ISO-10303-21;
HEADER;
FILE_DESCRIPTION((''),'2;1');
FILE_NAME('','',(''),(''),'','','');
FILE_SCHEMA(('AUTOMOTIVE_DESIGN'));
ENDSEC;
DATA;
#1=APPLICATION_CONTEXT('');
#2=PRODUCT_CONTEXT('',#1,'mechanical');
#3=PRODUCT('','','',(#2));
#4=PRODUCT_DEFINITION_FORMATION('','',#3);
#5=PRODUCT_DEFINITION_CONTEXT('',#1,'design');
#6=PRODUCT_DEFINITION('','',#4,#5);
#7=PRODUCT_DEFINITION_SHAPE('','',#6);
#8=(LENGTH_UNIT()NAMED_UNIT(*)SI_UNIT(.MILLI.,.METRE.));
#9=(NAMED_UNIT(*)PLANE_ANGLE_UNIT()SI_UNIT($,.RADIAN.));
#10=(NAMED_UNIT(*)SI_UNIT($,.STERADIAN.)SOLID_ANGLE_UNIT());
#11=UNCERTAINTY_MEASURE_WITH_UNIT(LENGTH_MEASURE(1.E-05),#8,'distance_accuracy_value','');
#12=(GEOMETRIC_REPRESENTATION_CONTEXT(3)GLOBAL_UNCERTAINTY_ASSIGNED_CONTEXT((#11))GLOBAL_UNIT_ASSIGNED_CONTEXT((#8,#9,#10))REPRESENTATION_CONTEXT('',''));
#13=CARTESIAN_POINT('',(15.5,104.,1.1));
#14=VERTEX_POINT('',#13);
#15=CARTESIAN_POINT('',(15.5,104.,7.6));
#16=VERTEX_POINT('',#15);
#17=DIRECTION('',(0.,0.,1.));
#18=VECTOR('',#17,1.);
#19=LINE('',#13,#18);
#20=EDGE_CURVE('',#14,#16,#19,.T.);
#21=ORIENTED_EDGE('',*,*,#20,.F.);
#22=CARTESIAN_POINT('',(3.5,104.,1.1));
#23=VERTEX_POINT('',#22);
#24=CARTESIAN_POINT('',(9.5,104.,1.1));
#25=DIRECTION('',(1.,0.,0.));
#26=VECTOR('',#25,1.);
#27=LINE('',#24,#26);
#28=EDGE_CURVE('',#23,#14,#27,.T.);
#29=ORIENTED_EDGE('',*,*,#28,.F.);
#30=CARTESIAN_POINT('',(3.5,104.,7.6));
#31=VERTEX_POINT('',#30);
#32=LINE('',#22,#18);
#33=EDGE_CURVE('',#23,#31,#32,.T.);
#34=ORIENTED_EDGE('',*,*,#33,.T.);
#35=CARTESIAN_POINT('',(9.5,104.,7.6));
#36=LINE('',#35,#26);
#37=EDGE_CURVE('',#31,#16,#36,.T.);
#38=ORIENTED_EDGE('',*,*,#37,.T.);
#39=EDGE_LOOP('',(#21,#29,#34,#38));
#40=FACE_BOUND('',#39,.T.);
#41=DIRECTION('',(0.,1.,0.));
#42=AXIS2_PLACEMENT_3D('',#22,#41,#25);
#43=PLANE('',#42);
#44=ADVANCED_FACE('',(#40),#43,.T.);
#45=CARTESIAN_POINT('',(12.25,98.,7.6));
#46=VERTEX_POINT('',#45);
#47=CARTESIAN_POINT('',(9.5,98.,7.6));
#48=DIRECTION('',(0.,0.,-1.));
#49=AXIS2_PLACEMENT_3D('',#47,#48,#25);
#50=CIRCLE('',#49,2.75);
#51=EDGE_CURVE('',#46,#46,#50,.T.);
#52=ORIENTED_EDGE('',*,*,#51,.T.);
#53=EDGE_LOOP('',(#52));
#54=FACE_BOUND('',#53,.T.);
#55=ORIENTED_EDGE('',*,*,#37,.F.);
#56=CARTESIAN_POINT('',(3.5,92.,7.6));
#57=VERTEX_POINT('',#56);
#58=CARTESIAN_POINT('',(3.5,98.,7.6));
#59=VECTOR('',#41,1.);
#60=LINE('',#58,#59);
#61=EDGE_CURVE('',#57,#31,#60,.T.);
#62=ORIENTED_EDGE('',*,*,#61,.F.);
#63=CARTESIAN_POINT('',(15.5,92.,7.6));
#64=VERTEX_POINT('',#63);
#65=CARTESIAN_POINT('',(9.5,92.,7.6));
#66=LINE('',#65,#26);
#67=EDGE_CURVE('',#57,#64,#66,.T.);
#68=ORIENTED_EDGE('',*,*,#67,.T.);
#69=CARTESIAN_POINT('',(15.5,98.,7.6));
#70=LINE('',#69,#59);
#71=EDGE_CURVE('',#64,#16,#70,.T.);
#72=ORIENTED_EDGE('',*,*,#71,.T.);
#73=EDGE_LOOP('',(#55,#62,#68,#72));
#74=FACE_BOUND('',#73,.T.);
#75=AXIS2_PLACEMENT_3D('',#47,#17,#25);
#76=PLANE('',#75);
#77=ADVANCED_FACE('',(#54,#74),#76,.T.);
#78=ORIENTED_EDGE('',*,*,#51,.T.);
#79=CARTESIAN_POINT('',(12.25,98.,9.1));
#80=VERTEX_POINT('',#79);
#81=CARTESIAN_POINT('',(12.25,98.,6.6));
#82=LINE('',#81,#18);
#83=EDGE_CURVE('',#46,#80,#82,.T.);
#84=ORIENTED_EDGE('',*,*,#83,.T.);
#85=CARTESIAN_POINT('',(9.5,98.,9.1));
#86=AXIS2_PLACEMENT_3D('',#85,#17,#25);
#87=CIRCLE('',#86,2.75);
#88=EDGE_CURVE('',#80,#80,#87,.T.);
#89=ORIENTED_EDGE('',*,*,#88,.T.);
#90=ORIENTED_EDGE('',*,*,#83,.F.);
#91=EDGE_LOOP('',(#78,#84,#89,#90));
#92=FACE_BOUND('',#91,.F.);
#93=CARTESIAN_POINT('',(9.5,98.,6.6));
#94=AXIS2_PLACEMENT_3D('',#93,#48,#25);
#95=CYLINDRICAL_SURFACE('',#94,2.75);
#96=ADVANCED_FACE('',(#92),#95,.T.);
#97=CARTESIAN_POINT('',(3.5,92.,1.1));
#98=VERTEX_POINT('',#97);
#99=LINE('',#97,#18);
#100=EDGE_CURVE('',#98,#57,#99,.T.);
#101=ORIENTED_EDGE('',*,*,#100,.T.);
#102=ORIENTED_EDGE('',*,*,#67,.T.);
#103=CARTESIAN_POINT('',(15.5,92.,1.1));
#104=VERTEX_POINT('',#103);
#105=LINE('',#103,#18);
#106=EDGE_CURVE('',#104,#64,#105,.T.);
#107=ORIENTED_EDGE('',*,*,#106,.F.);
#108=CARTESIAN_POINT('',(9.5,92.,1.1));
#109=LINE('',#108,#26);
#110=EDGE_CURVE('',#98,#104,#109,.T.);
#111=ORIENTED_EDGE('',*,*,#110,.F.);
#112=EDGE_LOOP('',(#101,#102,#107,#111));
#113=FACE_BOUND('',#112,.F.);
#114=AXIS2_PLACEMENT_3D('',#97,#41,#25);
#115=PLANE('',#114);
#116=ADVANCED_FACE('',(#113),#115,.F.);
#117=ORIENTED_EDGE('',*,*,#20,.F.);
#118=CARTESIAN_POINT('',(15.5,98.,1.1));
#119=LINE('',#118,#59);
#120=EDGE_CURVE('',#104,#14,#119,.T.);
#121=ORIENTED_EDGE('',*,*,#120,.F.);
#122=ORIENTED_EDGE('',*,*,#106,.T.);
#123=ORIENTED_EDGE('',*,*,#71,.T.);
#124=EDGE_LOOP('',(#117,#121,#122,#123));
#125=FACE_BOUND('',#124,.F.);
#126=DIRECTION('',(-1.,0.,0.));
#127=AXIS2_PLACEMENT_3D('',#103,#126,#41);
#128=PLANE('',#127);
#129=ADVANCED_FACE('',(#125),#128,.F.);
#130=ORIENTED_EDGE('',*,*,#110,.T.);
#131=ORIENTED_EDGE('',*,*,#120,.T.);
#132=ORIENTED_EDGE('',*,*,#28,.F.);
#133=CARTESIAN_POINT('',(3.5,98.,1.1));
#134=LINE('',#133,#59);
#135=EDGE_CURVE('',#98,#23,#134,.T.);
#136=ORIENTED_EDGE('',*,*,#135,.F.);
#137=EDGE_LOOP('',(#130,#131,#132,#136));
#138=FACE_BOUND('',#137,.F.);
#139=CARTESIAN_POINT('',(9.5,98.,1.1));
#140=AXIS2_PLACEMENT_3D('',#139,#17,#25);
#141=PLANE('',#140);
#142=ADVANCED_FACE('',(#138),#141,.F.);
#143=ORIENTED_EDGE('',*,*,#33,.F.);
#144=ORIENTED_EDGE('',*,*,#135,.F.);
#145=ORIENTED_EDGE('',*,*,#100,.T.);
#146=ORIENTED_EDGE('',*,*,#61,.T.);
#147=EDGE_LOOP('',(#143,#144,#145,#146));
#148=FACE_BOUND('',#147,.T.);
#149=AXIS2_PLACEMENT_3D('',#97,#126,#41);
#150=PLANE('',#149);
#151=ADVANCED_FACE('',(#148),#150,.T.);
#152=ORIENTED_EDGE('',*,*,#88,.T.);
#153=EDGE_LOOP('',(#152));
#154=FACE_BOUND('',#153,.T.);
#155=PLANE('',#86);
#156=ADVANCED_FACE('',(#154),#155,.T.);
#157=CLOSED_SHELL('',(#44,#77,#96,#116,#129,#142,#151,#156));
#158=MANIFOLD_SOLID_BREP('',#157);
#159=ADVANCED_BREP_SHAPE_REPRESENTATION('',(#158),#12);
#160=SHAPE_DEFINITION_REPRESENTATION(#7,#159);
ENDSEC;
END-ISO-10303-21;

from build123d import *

# Parameters (mm, degrees)
BOX010_W          = 12
BOX010_H          = 12
BOX010_DEPTH      = 6.5
CYLINDER004_R     = 2.75
CYLINDER004_DEPTH = 2.5


with BuildPart() as butbase001:
    # Box010 → Box010 (new body)
    with BuildSketch(Plane.XY):
        with Locations((6, 6)):
            Rectangle(BOX010_W, BOX010_H)
    extrude(amount=BOX010_DEPTH)


with BuildPart() as button_onoff:
    # Cylinder004 → Cylinder004 (new body)
    with BuildSketch(Plane(origin=(6, 6, 5.5), x_dir=(1, 0, 0), z_dir=(0, 0, 1))):
        Circle(CYLINDER004_R)
    extrude(amount=CYLINDER004_DEPTH)

    # Fusion002: union butbase001
    add(butbase001.part)


with BuildPart() as button_onoff_1:
    # Fusion002 placement: moved
    add(button_onoff.part.moved(Location((3.5, 92, 1.1))))


solid = button_onoff_1.part
